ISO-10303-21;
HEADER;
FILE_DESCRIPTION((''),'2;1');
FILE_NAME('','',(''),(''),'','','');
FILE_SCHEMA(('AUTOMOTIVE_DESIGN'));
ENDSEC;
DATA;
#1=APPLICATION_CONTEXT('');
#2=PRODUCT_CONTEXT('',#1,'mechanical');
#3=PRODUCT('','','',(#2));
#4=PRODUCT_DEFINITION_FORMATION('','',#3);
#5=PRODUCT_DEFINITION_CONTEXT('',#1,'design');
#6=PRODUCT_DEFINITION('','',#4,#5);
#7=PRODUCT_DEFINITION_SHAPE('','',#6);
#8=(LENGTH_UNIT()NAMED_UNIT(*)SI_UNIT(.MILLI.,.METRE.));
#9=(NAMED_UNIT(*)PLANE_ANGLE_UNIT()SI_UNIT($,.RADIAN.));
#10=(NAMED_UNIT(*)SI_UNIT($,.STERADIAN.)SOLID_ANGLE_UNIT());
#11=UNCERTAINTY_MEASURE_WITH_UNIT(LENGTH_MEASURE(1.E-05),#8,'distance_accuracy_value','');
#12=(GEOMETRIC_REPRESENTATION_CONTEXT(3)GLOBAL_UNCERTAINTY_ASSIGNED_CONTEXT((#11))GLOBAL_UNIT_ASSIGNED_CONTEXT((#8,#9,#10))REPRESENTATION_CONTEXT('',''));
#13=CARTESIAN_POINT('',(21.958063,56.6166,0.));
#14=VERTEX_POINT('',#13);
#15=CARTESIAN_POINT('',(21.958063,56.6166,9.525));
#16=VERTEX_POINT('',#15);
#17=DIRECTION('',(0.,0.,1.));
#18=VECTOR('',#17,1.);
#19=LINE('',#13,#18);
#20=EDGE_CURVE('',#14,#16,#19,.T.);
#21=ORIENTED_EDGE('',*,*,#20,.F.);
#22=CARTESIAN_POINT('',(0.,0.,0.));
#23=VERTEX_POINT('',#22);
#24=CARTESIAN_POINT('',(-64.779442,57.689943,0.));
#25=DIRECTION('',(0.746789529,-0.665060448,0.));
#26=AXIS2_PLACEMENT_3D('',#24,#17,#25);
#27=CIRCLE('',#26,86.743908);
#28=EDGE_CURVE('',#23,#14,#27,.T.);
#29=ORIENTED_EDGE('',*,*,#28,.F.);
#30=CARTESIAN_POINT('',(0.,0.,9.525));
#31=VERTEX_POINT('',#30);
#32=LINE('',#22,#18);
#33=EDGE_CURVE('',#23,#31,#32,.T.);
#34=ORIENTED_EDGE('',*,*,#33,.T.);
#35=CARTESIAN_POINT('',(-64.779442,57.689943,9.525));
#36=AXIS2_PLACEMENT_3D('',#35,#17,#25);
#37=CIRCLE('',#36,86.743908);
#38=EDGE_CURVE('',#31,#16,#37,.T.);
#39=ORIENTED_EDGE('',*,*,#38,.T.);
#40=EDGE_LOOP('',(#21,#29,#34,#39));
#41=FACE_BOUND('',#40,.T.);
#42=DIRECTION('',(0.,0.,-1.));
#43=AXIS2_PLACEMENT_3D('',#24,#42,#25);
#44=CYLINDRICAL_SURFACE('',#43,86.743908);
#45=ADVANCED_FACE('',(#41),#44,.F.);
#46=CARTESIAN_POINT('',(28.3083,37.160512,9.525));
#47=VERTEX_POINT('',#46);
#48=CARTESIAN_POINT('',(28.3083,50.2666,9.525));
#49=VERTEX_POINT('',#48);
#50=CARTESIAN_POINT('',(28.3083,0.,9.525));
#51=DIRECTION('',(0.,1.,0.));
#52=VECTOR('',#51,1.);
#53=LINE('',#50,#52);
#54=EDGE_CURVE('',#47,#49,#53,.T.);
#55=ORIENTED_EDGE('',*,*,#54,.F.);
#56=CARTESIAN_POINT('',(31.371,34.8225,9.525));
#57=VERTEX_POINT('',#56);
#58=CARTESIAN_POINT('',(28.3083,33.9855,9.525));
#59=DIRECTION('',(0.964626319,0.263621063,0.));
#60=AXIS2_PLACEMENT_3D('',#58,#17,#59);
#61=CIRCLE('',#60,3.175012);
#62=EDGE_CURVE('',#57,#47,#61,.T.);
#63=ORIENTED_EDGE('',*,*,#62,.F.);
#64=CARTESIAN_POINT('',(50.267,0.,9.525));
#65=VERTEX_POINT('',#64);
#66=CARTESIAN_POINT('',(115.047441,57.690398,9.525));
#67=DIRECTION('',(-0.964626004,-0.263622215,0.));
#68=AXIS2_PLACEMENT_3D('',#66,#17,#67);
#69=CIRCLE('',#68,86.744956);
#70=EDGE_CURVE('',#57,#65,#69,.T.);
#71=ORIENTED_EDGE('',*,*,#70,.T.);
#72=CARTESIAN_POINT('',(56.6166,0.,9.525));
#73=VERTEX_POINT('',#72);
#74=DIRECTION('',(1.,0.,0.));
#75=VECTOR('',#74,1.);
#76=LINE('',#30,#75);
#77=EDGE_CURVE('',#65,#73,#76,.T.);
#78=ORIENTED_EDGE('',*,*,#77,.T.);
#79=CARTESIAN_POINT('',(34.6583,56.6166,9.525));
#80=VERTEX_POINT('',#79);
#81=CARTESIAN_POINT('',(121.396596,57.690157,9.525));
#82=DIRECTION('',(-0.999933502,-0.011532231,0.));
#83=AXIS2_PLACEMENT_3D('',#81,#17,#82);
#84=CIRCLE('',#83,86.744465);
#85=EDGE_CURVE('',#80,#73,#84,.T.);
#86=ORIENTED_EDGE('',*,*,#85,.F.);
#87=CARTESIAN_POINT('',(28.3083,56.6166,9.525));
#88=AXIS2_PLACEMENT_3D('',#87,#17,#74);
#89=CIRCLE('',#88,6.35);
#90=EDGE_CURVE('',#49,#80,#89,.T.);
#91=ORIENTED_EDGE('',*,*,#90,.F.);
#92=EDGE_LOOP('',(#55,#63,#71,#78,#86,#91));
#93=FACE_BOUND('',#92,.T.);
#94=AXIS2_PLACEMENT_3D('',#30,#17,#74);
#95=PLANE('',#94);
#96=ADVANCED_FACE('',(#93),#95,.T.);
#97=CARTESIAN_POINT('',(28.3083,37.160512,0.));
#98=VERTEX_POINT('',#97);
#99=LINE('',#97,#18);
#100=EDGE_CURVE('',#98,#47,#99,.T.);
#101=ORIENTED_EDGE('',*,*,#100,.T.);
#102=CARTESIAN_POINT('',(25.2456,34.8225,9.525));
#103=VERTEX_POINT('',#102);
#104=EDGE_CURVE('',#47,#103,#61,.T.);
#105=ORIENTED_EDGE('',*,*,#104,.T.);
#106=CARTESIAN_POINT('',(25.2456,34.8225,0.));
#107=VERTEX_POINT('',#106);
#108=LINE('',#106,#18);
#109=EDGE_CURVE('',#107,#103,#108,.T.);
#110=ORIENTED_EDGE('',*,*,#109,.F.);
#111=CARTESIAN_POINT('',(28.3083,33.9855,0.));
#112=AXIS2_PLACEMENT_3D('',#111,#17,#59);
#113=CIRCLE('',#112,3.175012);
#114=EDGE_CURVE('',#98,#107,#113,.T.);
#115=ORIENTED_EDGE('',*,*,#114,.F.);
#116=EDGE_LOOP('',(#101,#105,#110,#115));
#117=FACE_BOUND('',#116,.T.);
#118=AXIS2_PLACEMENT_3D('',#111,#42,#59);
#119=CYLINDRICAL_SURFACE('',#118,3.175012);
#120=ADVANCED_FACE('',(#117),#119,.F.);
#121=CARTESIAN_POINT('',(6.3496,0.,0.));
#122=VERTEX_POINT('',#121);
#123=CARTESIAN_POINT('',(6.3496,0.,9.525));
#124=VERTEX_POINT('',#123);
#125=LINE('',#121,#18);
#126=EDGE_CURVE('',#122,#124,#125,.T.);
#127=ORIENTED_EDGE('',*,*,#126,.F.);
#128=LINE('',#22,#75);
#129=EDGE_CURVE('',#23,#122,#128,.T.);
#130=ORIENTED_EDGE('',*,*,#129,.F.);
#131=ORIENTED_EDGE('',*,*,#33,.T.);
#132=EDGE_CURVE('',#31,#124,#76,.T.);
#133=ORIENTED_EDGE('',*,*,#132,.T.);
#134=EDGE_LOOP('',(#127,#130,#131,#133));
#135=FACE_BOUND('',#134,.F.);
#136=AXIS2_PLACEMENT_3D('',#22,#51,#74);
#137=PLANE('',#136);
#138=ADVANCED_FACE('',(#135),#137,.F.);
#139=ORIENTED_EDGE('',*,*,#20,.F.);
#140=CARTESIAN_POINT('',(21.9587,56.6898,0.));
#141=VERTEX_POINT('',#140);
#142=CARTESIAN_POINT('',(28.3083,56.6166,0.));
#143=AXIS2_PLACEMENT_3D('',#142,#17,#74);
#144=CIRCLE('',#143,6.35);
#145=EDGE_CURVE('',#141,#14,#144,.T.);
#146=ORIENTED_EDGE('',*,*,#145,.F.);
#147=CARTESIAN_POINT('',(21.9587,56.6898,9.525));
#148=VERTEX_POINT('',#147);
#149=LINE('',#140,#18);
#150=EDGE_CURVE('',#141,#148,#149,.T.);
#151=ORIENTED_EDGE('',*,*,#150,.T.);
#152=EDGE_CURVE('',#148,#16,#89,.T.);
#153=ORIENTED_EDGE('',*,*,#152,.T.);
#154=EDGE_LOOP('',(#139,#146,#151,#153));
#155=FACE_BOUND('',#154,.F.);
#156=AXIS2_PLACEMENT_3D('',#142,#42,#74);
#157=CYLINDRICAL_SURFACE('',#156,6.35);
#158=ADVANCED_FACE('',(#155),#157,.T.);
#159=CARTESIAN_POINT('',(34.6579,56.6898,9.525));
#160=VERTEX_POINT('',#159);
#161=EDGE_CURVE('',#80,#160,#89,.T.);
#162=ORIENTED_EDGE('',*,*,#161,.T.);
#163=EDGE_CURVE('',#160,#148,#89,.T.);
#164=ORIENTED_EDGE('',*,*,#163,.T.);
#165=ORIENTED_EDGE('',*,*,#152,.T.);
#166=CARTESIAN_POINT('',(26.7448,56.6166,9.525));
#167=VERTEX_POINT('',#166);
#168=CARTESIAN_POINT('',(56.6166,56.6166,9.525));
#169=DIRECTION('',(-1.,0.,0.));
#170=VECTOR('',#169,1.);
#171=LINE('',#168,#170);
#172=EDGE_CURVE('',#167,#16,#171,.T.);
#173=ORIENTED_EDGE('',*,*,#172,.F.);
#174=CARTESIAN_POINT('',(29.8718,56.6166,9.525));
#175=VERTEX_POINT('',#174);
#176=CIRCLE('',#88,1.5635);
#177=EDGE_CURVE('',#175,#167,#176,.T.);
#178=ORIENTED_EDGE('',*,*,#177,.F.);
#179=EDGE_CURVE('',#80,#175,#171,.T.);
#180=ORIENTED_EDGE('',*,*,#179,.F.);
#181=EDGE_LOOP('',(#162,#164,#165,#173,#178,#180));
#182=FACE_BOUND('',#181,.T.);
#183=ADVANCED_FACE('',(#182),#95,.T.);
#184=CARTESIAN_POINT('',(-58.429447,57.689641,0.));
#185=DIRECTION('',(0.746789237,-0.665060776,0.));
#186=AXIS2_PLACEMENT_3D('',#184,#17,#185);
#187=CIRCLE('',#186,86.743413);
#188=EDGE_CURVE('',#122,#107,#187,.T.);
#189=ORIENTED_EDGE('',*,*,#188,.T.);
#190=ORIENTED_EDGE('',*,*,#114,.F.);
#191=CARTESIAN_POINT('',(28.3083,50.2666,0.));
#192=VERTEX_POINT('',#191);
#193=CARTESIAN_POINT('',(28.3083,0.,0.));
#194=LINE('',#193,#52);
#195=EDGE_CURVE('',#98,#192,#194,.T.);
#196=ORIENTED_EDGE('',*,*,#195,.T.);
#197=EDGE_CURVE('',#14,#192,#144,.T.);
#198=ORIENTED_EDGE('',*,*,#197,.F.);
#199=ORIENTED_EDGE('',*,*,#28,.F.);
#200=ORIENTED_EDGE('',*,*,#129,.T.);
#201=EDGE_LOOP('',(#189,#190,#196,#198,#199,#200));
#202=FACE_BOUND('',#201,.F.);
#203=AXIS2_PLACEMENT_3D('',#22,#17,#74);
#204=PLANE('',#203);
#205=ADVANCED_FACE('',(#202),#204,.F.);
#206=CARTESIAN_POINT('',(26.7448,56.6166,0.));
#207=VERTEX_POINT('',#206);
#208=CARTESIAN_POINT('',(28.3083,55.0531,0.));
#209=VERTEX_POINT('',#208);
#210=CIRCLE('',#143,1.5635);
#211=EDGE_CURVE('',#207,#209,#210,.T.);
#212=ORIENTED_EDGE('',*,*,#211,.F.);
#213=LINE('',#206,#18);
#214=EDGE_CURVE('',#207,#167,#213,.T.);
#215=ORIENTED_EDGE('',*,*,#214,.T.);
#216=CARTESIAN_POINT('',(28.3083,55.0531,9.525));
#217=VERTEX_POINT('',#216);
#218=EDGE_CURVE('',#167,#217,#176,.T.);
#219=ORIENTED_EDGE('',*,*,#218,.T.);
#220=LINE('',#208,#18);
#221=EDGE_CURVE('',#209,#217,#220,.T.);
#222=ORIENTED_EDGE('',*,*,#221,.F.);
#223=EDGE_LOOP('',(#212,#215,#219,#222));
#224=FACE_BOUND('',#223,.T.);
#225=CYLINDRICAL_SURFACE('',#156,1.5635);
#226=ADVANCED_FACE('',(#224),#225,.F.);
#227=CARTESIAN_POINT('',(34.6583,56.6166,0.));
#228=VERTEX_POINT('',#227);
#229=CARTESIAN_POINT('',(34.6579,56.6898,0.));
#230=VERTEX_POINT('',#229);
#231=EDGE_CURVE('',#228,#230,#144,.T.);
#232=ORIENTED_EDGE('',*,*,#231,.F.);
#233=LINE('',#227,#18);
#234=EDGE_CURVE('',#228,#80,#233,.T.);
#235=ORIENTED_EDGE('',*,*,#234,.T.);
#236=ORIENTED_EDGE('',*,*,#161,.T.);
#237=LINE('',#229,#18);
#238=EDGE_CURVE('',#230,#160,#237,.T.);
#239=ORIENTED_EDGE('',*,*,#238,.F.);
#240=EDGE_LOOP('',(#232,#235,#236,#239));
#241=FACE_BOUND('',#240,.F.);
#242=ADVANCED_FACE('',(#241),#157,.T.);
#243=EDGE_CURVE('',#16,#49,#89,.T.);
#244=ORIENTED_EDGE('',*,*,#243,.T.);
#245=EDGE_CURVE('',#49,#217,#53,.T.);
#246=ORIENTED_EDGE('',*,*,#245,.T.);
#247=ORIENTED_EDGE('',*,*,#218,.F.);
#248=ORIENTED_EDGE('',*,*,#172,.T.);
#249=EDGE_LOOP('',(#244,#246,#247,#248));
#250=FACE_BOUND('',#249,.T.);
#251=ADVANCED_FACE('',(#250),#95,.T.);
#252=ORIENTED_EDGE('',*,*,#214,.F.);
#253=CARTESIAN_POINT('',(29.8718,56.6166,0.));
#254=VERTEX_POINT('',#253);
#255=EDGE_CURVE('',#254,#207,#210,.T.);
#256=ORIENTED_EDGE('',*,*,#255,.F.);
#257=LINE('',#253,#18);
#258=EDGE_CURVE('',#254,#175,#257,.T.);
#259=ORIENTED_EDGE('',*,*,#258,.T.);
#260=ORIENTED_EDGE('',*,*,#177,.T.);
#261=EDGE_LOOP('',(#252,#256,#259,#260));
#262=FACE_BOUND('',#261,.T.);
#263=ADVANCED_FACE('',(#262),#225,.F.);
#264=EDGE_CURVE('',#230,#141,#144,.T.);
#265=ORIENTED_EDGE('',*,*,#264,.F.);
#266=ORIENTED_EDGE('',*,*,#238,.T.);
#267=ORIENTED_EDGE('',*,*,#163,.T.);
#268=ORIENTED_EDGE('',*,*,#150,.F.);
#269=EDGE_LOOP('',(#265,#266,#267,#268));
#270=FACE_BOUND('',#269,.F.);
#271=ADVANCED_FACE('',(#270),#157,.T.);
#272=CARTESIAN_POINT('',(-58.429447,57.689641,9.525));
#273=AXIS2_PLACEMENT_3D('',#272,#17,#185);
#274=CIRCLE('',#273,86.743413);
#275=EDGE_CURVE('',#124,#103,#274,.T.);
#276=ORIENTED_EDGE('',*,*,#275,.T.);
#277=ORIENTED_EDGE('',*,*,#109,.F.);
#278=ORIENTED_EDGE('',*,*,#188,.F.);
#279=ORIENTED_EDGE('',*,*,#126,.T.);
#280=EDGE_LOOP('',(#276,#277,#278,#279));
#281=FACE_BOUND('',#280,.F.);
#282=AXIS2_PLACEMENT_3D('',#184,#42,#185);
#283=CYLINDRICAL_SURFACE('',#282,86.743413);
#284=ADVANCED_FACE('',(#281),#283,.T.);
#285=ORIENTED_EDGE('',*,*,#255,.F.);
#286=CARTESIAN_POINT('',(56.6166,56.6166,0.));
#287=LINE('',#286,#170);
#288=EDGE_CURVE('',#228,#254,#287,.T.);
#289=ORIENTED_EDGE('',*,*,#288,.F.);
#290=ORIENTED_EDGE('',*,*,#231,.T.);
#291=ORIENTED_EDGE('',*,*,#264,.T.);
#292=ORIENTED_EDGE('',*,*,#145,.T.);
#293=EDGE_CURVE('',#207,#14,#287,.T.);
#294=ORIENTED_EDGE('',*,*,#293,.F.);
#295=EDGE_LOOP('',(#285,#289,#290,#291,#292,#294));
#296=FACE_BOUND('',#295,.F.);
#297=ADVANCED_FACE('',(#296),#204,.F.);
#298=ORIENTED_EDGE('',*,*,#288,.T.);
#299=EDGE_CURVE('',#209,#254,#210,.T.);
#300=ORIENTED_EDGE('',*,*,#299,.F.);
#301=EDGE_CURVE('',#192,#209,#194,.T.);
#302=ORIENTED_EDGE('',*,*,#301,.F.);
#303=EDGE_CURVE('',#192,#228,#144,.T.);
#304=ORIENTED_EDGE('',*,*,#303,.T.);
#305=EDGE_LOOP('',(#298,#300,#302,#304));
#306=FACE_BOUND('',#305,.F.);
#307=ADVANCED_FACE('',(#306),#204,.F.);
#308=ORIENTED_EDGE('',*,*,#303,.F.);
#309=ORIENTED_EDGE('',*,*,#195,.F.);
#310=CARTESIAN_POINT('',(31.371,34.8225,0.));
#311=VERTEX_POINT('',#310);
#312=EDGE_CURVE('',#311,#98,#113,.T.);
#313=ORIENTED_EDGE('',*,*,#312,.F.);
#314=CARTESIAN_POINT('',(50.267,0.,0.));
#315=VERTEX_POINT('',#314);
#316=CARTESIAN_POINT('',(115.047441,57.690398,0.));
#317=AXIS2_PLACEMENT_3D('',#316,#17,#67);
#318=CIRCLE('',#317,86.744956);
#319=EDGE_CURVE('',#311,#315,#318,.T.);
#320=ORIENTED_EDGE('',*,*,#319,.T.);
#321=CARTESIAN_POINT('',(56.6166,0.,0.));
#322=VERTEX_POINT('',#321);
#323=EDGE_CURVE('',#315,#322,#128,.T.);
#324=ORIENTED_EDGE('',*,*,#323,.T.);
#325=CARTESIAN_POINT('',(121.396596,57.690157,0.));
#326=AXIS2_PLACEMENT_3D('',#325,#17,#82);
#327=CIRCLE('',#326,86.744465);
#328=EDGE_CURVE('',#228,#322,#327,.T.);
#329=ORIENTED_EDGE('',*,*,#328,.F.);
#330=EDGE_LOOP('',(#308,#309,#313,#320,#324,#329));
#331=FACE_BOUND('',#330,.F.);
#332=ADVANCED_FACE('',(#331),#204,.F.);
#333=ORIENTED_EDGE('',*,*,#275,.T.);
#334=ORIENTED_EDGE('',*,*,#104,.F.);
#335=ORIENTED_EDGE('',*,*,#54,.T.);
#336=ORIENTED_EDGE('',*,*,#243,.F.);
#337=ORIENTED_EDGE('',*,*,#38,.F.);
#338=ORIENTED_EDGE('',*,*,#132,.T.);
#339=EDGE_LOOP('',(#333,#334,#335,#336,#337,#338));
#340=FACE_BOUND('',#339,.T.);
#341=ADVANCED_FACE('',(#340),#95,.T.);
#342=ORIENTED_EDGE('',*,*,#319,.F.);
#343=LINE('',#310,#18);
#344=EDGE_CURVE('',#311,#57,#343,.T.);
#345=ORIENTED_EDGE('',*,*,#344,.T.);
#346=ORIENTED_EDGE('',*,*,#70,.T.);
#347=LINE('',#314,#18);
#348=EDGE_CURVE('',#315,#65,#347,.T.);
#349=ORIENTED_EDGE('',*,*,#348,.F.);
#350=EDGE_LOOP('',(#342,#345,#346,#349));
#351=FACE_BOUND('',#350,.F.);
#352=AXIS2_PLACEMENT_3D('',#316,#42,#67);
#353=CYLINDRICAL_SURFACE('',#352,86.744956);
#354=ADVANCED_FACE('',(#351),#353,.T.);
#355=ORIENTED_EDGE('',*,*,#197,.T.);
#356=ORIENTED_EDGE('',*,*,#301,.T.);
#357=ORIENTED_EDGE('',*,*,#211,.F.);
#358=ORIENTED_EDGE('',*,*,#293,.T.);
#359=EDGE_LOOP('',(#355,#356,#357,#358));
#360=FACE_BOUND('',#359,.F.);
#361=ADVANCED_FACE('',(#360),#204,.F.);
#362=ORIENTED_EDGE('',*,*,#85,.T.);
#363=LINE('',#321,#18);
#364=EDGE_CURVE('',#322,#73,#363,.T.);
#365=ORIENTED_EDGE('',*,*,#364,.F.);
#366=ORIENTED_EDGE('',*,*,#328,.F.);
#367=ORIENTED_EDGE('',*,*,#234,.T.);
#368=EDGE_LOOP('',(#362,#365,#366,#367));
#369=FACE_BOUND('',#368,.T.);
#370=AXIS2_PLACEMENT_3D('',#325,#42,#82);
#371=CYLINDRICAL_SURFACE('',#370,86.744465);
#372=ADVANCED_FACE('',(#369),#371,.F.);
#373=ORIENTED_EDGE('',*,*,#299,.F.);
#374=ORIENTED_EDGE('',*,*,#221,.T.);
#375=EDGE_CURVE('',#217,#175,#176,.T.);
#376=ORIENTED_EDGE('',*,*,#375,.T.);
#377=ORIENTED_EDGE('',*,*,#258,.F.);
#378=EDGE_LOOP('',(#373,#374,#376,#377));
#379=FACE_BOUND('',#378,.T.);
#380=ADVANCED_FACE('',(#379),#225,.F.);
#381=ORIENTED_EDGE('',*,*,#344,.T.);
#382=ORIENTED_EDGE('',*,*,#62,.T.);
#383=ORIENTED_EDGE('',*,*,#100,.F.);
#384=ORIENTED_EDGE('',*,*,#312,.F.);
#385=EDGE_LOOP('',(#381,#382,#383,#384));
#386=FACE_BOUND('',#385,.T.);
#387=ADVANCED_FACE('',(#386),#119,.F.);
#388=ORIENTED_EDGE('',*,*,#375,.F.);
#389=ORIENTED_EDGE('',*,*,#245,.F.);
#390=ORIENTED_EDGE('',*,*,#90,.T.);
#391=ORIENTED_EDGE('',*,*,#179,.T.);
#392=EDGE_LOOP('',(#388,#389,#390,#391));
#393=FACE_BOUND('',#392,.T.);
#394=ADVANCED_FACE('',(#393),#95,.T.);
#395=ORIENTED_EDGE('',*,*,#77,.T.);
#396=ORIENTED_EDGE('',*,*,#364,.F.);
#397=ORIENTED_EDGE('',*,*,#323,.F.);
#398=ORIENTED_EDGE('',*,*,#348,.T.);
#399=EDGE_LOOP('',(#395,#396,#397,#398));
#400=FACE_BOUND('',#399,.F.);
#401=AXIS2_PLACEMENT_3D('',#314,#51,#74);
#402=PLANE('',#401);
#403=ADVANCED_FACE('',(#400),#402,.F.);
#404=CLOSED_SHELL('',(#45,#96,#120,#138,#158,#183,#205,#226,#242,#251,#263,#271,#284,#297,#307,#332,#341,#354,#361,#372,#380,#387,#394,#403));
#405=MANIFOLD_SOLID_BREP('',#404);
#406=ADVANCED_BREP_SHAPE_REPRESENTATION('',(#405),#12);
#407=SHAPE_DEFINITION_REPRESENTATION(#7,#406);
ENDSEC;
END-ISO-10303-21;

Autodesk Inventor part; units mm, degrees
ref_plane "XZ Plane" through (0, 0, 0) normal (0, 1, 0) x (-1, 0, 0)
ref_plane "XY Plane" through (0, 0, 0) normal (0, 0, 1) x (1, 0, 0)
sketch "Sketch1" plane through (0, 0, 0) normal (0, 0, 1) x (1, 0, 0)
  line L0 (0, 0) -> (56.6166, 0)
  line L1 (56.6166, 0) -> (56.6166, 56.6166)
  line L2 (56.6166, 56.6166) -> (0, 56.6166)
  line L3 (0, 56.6166) -> (0, 0)
  circle A0 centre (28.3083, 56.6166) radius 1.5635
  circle A1 centre (28.3083, 56.6166) radius 6.35
  arc A2 (0, 0) -> (21.9587, 56.6898) centre (-64.7797, 57.6901) ccw
  arc A3 (6.3496, 0) -> (25.2456, 34.8225) centre (-58.4301, 57.6901) ccw
  line L4 (28.3083, 0) -> (28.3083, 56.6898)
  arc A4 (34.6579, 56.6898) -> (56.6166, 0) centre (121.3963, 57.6901) ccw
  arc A5 (31.371, 34.8225) -> (50.267, 0) centre (115.0467, 57.6901) ccw
  arc A6 (31.371, 34.8225) -> (25.2456, 34.8225) centre (28.3083, 33.9855) ccw
  point P0 (21.9583, 56.6166)
  point P1 (21.9578, 56.6166)
  point P2 (6.3496, 0)
  point P3 (50.267, 0)
  point P4 (34.6588, 56.6166)
  point P5 (34.6583, 56.6166)
  dimension "d3" = 12.7
  dimension "d0" = 56.6166
  dimension "d1" = 56.6166
  dimension "d2" = 3.127
  dimension "d4" = 3.175
extrude "Extrusion1" add sketch "Sketch1" along normal blind 9.525 contours A2 A1 L4 A6 A3 L0 | A1 L2 A0 | L2 A0 L4 A1 | L4 A0 L2 A1 | A1 A4 L0 A5 A6 L4
ref_plane "Work Plane2" through (28.3083, 0, 0) normal (1, 0, 0) x (0, 1, 0)
ref_plane "Work Plane1" through (56.6166, 0, 0) normal (1, 0, 0) x (0, 1, 0)
properties part number "transfer gear rod support"
